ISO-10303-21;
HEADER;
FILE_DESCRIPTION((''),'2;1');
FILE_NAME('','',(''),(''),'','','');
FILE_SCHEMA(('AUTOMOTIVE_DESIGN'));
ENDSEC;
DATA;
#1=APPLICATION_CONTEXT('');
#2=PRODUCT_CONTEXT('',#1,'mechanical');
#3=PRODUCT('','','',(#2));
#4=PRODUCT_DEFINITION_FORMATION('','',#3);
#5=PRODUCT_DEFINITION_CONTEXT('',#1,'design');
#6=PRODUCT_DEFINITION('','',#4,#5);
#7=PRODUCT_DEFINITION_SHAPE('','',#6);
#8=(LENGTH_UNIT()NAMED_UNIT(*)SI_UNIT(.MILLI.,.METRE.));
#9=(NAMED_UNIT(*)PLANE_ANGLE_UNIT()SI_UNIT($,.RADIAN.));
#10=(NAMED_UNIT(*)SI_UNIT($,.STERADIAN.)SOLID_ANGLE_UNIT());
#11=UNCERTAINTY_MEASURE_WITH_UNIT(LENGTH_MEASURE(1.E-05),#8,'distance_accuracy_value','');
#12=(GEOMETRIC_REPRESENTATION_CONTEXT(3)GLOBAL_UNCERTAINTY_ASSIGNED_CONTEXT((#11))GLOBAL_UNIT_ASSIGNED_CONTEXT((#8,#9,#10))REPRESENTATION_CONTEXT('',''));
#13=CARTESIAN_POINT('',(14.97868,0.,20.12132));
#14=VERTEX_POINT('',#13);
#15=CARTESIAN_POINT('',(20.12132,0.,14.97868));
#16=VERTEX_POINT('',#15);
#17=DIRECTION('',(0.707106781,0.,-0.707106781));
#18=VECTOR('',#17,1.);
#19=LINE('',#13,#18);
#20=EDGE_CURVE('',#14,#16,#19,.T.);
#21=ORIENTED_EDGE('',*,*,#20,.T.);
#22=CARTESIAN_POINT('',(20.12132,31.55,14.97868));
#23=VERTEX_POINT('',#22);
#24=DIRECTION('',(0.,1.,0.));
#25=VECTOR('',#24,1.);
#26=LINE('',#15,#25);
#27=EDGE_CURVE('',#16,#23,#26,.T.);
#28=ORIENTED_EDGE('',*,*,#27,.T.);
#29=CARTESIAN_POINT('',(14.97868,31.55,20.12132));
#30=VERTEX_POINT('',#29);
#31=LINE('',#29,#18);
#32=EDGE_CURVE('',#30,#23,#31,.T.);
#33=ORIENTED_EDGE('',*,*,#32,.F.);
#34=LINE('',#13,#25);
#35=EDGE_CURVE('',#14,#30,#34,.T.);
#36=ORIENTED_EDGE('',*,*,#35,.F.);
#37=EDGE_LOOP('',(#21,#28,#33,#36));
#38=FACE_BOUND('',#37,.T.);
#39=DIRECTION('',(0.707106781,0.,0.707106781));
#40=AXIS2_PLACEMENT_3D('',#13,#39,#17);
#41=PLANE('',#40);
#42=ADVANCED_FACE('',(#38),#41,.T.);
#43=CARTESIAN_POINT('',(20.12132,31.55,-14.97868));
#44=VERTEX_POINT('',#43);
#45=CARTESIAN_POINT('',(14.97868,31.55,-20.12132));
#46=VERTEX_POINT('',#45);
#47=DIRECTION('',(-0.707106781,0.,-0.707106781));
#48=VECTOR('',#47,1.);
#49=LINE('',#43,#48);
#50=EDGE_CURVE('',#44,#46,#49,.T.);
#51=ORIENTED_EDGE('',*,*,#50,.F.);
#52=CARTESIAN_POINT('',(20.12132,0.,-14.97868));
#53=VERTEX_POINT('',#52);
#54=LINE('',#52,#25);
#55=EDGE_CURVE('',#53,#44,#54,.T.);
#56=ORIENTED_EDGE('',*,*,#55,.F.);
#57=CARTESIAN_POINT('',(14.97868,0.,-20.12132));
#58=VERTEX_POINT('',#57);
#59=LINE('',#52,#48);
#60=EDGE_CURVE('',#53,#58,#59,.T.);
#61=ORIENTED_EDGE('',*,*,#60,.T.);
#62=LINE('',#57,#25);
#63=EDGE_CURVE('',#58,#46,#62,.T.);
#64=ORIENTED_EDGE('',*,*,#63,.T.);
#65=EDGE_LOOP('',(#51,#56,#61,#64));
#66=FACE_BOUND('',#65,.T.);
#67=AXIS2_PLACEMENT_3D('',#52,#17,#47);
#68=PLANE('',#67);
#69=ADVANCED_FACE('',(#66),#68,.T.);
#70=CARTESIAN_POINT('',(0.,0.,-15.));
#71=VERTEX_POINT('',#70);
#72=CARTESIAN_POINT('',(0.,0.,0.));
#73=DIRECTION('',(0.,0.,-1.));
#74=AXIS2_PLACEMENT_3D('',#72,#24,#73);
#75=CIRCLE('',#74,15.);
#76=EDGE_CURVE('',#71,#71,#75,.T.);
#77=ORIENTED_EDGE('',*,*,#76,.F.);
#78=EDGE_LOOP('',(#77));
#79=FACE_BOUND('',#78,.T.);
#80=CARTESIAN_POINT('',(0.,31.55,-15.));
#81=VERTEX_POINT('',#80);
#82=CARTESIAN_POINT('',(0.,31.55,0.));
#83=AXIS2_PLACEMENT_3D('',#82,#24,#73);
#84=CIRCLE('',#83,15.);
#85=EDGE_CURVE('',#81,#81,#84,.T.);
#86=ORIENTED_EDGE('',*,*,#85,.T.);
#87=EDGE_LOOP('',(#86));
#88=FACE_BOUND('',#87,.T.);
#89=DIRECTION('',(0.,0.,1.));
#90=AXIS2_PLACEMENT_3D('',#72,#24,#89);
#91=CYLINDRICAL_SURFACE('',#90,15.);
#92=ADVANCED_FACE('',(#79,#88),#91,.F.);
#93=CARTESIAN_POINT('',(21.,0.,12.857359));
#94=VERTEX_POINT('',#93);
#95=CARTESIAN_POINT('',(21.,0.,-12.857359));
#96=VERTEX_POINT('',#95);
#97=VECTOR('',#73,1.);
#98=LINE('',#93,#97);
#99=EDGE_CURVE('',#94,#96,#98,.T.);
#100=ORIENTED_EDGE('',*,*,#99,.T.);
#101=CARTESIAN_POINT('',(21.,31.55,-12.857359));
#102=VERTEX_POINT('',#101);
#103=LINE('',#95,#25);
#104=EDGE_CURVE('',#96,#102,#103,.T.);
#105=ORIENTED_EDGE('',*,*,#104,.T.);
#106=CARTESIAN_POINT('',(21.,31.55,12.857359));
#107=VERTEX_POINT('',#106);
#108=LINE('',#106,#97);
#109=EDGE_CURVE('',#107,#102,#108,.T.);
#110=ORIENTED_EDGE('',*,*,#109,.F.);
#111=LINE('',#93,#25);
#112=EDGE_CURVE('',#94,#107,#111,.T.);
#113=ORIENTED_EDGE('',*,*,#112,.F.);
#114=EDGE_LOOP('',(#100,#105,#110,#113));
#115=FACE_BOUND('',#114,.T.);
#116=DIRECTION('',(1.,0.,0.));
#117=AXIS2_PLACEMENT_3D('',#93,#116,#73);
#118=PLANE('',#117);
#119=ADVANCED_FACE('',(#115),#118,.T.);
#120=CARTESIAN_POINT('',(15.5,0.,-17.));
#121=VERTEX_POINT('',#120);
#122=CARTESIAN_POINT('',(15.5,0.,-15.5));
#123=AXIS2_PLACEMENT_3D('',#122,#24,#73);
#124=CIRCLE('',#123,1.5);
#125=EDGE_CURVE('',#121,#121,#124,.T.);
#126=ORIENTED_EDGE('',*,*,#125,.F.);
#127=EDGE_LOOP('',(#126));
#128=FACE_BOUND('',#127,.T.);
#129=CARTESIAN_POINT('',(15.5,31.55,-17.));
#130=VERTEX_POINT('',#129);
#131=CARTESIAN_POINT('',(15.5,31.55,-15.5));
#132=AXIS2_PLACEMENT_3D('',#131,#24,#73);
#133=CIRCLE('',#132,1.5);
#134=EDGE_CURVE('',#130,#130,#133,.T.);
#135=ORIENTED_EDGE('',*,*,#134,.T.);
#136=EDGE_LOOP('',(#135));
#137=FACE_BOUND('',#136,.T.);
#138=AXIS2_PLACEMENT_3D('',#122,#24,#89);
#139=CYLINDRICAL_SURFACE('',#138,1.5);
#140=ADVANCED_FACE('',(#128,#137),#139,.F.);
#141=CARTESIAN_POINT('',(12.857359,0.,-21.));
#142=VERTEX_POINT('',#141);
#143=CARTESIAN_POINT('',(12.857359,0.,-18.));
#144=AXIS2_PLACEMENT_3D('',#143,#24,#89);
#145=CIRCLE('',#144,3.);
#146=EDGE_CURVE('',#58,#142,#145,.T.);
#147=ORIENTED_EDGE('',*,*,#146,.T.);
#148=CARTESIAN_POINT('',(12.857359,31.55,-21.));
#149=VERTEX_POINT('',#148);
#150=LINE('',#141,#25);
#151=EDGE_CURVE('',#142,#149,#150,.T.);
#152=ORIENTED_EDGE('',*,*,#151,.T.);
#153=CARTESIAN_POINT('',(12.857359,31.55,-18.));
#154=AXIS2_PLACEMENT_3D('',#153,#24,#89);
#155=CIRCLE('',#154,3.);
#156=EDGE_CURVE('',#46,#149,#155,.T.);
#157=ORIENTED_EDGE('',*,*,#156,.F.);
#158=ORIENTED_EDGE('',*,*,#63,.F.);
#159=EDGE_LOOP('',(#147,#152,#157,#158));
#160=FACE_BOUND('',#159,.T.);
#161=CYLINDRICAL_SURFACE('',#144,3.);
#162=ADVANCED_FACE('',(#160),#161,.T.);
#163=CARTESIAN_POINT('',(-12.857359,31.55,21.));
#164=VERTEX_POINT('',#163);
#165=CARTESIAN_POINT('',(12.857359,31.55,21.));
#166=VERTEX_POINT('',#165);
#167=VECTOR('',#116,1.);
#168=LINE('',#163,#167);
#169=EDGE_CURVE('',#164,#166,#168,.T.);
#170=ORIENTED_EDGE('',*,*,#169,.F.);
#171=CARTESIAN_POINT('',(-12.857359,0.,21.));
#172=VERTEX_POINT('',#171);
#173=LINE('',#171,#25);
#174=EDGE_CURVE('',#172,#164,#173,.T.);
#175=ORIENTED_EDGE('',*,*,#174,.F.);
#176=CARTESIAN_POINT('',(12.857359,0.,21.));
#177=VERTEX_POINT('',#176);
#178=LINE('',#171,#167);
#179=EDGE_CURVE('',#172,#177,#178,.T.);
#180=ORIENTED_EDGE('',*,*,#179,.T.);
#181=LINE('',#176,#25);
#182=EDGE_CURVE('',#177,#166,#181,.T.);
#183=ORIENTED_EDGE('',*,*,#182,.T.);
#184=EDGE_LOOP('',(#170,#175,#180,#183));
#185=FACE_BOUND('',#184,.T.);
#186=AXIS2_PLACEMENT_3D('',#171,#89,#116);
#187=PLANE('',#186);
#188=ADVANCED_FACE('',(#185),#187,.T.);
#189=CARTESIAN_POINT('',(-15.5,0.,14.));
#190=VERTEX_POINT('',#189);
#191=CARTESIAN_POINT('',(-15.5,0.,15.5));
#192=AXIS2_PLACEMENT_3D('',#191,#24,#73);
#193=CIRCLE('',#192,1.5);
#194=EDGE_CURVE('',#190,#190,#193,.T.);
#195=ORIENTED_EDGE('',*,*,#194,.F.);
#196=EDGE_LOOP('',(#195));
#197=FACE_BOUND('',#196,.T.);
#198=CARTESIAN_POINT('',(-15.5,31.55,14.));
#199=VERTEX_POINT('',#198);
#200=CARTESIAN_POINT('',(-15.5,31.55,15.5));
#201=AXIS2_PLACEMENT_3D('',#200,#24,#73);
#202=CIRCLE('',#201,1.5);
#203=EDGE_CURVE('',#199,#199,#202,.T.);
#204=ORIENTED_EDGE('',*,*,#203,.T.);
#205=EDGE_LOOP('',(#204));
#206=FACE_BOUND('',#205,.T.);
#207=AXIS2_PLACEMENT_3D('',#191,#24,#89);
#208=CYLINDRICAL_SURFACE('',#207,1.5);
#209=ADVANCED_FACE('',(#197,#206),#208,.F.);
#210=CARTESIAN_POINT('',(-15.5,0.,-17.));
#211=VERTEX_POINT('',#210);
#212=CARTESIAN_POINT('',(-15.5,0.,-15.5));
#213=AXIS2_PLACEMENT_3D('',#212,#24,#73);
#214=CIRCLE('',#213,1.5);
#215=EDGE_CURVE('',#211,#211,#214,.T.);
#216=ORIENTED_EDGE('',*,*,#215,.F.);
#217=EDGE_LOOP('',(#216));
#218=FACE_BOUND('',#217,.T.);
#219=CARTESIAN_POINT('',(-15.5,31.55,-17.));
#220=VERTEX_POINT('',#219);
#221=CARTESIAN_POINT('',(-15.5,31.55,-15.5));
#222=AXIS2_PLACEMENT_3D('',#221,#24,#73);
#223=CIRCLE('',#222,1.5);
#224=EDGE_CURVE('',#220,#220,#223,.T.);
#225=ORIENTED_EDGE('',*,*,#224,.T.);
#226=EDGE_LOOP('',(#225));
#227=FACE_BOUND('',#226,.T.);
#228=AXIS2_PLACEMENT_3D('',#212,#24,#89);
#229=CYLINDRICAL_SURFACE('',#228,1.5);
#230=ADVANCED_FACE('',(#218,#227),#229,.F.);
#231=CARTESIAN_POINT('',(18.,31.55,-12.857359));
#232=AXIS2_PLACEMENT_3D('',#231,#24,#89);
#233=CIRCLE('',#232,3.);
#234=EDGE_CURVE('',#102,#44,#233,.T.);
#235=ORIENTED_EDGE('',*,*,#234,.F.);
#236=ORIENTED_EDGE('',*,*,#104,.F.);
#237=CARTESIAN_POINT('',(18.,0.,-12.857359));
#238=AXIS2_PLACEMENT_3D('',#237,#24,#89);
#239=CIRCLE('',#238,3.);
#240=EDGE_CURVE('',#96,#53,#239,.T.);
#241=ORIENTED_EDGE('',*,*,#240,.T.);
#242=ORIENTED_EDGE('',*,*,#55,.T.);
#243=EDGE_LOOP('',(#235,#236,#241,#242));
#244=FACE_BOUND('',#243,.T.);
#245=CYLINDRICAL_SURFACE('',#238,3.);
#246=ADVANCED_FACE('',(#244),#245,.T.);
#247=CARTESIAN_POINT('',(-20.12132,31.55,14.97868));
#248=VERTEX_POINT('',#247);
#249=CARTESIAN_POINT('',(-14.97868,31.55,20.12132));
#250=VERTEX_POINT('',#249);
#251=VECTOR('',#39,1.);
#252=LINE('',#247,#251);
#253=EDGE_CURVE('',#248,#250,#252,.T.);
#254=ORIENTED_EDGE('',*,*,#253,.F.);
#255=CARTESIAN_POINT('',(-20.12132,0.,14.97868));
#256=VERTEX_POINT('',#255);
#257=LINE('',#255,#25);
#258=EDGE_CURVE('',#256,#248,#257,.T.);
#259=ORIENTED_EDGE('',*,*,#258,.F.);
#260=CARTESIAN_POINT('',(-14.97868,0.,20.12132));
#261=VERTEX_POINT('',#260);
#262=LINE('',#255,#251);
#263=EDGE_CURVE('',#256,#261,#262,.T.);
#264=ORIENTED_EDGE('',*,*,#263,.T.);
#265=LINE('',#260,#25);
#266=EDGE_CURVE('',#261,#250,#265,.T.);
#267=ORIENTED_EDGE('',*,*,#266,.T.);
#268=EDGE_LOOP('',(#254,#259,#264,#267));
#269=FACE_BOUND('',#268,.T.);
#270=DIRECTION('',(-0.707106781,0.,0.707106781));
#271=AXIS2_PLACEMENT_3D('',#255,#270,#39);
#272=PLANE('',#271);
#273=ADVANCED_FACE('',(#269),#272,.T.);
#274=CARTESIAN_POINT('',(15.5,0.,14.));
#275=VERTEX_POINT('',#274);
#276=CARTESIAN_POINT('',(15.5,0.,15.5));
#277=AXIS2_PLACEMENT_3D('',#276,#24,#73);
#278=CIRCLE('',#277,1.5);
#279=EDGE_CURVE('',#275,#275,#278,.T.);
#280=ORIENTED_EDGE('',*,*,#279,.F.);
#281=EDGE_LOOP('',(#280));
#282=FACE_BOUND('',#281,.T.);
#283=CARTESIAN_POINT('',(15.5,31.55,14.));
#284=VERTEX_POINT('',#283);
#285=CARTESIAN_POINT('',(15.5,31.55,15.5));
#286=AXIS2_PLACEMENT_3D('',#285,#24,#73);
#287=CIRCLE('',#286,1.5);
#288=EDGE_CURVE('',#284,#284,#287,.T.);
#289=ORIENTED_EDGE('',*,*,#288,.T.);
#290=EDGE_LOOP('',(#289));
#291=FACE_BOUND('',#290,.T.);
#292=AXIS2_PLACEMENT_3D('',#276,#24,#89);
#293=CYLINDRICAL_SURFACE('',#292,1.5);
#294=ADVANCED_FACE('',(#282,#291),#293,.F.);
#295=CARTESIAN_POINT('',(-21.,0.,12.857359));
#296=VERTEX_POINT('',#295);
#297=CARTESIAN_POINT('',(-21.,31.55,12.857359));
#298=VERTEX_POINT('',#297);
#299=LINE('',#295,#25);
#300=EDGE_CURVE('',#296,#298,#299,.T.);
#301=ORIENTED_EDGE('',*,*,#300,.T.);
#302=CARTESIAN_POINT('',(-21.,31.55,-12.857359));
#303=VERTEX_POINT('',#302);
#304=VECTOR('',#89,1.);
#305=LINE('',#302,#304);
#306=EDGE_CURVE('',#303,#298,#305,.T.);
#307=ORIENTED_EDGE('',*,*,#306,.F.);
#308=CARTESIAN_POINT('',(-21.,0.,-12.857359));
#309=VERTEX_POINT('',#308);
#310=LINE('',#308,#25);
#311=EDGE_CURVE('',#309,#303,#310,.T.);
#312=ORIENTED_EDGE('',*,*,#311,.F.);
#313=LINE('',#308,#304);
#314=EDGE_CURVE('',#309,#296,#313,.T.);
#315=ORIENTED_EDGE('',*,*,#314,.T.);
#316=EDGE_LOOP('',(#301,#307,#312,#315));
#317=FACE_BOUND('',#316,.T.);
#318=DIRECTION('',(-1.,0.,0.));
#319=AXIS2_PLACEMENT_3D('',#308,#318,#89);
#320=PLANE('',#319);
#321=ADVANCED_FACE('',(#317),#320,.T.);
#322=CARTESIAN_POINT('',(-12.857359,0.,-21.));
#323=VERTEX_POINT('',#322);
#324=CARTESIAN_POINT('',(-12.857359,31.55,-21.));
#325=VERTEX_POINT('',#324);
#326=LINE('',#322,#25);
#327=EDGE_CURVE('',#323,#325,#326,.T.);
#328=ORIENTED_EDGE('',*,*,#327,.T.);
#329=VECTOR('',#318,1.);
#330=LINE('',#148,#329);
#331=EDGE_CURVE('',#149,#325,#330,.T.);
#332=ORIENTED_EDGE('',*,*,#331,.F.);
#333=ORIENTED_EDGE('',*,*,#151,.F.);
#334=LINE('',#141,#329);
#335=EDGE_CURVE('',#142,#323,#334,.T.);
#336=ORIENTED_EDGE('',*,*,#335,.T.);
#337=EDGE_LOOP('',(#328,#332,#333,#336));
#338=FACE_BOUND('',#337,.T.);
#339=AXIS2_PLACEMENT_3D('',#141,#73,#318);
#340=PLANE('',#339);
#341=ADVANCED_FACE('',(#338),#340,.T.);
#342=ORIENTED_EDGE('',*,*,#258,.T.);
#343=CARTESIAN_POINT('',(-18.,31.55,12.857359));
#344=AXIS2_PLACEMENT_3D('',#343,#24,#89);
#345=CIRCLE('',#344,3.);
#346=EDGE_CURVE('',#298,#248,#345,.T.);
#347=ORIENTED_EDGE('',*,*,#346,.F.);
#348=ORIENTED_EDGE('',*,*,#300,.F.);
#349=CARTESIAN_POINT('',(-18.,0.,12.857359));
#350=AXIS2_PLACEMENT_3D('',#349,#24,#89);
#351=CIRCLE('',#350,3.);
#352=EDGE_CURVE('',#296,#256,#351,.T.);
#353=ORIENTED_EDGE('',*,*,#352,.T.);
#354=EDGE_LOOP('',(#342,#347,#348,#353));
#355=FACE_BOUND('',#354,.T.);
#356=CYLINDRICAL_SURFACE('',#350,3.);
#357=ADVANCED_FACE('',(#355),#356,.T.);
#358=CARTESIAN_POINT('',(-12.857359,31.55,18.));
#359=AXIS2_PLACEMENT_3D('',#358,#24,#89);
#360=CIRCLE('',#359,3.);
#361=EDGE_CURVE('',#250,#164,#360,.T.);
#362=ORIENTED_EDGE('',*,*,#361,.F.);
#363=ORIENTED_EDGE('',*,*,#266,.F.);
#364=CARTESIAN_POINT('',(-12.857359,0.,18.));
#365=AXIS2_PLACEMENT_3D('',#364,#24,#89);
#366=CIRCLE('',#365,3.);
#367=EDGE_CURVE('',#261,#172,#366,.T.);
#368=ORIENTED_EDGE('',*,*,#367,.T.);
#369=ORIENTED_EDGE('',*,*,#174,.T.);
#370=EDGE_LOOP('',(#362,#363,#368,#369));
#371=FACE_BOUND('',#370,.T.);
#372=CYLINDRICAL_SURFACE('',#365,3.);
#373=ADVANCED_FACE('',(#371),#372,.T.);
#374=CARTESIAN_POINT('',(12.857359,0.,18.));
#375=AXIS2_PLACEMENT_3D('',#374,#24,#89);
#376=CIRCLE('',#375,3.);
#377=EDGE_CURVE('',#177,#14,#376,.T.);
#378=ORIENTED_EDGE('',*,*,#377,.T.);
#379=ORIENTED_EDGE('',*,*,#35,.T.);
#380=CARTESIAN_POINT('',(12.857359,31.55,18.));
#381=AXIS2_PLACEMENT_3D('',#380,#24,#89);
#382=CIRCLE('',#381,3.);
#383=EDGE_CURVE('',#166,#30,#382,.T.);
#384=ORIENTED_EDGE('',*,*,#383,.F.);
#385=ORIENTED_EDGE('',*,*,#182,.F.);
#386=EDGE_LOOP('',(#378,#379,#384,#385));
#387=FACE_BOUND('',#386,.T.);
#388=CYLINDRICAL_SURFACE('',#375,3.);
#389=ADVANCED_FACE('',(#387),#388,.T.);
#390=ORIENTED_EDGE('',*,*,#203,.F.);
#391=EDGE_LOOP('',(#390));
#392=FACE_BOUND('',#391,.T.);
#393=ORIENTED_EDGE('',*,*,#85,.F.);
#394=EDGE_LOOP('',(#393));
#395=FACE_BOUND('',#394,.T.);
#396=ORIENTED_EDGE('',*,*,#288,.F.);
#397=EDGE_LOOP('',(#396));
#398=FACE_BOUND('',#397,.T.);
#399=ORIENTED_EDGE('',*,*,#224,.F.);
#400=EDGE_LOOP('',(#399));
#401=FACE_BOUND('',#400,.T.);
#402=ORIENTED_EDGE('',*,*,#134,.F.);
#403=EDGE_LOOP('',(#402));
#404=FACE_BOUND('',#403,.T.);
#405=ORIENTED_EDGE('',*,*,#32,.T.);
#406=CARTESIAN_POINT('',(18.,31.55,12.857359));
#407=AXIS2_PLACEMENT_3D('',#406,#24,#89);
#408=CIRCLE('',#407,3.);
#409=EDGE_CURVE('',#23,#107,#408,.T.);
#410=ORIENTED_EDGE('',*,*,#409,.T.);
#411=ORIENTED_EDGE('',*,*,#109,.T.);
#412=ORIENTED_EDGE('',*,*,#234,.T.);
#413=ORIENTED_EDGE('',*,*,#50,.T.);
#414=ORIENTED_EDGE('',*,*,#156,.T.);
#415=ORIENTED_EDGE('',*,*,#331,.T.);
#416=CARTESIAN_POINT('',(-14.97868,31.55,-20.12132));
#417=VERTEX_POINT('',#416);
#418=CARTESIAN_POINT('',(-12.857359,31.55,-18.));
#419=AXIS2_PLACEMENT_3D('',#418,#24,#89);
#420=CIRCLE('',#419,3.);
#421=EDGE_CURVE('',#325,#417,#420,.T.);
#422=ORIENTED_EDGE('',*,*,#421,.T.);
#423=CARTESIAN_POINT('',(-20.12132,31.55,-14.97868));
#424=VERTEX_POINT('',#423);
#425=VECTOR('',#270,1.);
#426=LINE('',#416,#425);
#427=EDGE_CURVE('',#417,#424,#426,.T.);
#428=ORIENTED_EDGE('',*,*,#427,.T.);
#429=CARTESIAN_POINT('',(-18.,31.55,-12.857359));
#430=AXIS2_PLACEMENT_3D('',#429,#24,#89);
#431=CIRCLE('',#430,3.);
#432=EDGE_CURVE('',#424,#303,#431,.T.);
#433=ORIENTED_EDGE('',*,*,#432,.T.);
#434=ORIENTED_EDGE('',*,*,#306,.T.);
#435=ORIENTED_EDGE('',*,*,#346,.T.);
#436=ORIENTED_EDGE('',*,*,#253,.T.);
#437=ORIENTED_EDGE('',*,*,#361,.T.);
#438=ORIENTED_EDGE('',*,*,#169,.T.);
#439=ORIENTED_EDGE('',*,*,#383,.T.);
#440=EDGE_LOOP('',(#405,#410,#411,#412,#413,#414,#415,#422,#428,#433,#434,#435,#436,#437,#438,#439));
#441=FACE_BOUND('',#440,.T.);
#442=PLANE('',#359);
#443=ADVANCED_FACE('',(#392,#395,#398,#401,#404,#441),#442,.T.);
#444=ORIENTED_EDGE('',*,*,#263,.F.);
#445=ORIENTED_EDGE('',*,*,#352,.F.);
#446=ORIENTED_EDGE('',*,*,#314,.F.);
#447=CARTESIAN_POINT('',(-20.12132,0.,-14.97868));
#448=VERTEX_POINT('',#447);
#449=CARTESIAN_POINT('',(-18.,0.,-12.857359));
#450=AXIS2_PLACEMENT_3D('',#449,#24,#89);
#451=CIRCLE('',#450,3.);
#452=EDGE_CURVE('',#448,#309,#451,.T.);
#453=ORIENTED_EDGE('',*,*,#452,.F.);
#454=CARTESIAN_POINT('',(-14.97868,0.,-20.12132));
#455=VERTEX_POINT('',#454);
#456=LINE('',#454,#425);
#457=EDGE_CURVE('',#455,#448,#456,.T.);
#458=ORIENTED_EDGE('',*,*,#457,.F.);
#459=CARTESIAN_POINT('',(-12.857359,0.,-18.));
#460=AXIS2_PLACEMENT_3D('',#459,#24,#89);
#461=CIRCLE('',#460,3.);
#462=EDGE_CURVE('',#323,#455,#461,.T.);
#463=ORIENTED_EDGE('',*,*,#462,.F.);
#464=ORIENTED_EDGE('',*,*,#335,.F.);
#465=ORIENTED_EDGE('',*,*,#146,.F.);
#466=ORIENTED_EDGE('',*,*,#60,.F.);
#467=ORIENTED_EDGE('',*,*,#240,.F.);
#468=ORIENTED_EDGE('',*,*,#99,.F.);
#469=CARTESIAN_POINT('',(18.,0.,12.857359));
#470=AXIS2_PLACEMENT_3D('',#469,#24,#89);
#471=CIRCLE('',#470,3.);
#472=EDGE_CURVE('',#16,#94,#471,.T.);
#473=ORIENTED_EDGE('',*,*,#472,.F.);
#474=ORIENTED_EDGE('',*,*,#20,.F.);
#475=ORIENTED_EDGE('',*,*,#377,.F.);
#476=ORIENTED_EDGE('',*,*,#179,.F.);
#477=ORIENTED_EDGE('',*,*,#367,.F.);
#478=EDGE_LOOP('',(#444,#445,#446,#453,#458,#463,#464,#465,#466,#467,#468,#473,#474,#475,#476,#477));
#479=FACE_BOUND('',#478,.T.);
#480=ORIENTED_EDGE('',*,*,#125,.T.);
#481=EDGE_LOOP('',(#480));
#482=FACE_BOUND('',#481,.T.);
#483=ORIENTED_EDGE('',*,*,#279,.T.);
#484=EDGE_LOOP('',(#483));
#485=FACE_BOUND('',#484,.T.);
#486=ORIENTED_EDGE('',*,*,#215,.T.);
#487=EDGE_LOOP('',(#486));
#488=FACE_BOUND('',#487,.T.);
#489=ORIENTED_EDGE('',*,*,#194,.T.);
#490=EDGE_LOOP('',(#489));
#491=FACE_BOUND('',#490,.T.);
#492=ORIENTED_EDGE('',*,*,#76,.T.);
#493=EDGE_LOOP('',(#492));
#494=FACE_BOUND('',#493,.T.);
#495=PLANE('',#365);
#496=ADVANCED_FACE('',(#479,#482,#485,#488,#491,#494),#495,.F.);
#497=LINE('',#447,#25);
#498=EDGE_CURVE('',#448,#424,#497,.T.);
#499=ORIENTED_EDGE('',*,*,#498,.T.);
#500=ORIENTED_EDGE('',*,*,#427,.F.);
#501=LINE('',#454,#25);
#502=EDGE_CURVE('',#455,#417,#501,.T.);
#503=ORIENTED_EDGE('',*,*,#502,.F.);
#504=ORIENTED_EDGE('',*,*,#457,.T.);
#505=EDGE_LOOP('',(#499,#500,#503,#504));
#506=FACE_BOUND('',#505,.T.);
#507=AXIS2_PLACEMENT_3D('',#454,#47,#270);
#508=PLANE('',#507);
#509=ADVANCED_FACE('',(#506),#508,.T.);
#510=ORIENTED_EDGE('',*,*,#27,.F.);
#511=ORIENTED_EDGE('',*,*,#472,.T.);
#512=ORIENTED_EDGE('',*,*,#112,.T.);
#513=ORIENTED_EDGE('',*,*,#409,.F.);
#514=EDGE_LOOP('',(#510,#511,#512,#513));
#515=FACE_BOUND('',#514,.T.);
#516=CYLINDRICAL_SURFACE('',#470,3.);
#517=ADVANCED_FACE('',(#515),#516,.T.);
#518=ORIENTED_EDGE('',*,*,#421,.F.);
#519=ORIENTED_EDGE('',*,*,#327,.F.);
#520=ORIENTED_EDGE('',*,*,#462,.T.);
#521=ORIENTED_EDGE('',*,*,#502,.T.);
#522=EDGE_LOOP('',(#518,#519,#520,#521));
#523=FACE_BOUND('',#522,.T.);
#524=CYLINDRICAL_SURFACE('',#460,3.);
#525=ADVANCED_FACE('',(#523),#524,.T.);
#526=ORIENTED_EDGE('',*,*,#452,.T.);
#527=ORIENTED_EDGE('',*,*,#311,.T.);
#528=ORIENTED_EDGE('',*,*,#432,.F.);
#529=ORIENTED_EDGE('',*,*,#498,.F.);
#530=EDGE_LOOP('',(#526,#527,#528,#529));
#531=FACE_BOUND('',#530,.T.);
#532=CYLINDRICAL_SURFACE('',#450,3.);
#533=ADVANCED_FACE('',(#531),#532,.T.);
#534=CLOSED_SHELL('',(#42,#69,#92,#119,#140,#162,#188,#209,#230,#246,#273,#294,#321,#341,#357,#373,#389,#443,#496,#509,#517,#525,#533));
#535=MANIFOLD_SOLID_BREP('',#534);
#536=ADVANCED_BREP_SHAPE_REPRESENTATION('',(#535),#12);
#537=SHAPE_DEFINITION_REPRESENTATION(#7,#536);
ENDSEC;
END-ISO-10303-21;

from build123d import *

# Parameters (mm, degrees)
CROQUIS1_R              = 1.5
CROQUIS1_R_2            = 15
SALIENTE_EXTRUIR1_DEPTH = 31.55


with BuildPart() as part:
    # Croquis1 → Saliente-Extruir1 (new body)
    with BuildSketch(Plane(origin=(0, 31.55, 0), x_dir=(1, 0, 0), z_dir=(0, 1, 0))):
        with BuildLine():
            Line((-12.857359313, -21), (12.857359313, -21))
            ThreePointArc((12.857359313, -21), (14.00540961, -20.771638598), (14.978679656, -20.121320344))
            Line((14.978679656, -20.121320344), (20.121320344, -14.978679656))
            ThreePointArc((20.121320344, -14.978679656), (20.771638598, -14.00540961), (21, -12.857359313))
            Line((21, -12.857359313), (21, 12.857359313))
            ThreePointArc((21, 12.857359313), (20.771638598, 14.00540961), (20.121320344, 14.978679656))
            Line((20.121320344, 14.978679656), (14.978679656, 20.121320344))
            ThreePointArc((14.978679656, 20.121320344), (14.00540961, 20.771638598), (12.857359313, 21))
            Line((12.857359313, 21), (-12.857359313, 21))
            ThreePointArc((-12.857359313, 21), (-14.00540961, 20.771638598), (-14.978679656, 20.121320344))
            Line((-14.978679656, 20.121320344), (-20.121320344, 14.978679656))
            ThreePointArc((-20.121320344, 14.978679656), (-20.771638598, 14.00540961), (-21, 12.857359313))
            Line((-21, 12.857359313), (-21, -12.857359313))
            ThreePointArc((-21, -12.857359313), (-20.771638598, -14.00540961), (-20.121320344, -14.978679656))
            Line((-20.121320344, -14.978679656), (-14.978679656, -20.121320344))
            ThreePointArc((-14.978679656, -20.121320344), (-14.00540961, -20.771638598), (-12.857359313, -21))
        make_face()
        with Locations(Location((15.5, -15.5, 0), (0, 0, 90))):
            Circle(CROQUIS1_R, mode=Mode.SUBTRACT)
        with Locations(Location((0, 0, 0), (0, 0, 90))):
            Circle(CROQUIS1_R_2, mode=Mode.SUBTRACT)
        with Locations(Location((15.5, 15.5, 0), (0, 0, 90))):
            Circle(CROQUIS1_R, mode=Mode.SUBTRACT)
        with Locations(Location((-15.5, -15.5, 0), (0, 0, 90))):
            Circle(CROQUIS1_R, mode=Mode.SUBTRACT)
        with Locations(Location((-15.5, 15.5, 0), (0, 0, 90))):
            Circle(CROQUIS1_R, mode=Mode.SUBTRACT)
    extrude(amount=-SALIENTE_EXTRUIR1_DEPTH)


solid = part.part
